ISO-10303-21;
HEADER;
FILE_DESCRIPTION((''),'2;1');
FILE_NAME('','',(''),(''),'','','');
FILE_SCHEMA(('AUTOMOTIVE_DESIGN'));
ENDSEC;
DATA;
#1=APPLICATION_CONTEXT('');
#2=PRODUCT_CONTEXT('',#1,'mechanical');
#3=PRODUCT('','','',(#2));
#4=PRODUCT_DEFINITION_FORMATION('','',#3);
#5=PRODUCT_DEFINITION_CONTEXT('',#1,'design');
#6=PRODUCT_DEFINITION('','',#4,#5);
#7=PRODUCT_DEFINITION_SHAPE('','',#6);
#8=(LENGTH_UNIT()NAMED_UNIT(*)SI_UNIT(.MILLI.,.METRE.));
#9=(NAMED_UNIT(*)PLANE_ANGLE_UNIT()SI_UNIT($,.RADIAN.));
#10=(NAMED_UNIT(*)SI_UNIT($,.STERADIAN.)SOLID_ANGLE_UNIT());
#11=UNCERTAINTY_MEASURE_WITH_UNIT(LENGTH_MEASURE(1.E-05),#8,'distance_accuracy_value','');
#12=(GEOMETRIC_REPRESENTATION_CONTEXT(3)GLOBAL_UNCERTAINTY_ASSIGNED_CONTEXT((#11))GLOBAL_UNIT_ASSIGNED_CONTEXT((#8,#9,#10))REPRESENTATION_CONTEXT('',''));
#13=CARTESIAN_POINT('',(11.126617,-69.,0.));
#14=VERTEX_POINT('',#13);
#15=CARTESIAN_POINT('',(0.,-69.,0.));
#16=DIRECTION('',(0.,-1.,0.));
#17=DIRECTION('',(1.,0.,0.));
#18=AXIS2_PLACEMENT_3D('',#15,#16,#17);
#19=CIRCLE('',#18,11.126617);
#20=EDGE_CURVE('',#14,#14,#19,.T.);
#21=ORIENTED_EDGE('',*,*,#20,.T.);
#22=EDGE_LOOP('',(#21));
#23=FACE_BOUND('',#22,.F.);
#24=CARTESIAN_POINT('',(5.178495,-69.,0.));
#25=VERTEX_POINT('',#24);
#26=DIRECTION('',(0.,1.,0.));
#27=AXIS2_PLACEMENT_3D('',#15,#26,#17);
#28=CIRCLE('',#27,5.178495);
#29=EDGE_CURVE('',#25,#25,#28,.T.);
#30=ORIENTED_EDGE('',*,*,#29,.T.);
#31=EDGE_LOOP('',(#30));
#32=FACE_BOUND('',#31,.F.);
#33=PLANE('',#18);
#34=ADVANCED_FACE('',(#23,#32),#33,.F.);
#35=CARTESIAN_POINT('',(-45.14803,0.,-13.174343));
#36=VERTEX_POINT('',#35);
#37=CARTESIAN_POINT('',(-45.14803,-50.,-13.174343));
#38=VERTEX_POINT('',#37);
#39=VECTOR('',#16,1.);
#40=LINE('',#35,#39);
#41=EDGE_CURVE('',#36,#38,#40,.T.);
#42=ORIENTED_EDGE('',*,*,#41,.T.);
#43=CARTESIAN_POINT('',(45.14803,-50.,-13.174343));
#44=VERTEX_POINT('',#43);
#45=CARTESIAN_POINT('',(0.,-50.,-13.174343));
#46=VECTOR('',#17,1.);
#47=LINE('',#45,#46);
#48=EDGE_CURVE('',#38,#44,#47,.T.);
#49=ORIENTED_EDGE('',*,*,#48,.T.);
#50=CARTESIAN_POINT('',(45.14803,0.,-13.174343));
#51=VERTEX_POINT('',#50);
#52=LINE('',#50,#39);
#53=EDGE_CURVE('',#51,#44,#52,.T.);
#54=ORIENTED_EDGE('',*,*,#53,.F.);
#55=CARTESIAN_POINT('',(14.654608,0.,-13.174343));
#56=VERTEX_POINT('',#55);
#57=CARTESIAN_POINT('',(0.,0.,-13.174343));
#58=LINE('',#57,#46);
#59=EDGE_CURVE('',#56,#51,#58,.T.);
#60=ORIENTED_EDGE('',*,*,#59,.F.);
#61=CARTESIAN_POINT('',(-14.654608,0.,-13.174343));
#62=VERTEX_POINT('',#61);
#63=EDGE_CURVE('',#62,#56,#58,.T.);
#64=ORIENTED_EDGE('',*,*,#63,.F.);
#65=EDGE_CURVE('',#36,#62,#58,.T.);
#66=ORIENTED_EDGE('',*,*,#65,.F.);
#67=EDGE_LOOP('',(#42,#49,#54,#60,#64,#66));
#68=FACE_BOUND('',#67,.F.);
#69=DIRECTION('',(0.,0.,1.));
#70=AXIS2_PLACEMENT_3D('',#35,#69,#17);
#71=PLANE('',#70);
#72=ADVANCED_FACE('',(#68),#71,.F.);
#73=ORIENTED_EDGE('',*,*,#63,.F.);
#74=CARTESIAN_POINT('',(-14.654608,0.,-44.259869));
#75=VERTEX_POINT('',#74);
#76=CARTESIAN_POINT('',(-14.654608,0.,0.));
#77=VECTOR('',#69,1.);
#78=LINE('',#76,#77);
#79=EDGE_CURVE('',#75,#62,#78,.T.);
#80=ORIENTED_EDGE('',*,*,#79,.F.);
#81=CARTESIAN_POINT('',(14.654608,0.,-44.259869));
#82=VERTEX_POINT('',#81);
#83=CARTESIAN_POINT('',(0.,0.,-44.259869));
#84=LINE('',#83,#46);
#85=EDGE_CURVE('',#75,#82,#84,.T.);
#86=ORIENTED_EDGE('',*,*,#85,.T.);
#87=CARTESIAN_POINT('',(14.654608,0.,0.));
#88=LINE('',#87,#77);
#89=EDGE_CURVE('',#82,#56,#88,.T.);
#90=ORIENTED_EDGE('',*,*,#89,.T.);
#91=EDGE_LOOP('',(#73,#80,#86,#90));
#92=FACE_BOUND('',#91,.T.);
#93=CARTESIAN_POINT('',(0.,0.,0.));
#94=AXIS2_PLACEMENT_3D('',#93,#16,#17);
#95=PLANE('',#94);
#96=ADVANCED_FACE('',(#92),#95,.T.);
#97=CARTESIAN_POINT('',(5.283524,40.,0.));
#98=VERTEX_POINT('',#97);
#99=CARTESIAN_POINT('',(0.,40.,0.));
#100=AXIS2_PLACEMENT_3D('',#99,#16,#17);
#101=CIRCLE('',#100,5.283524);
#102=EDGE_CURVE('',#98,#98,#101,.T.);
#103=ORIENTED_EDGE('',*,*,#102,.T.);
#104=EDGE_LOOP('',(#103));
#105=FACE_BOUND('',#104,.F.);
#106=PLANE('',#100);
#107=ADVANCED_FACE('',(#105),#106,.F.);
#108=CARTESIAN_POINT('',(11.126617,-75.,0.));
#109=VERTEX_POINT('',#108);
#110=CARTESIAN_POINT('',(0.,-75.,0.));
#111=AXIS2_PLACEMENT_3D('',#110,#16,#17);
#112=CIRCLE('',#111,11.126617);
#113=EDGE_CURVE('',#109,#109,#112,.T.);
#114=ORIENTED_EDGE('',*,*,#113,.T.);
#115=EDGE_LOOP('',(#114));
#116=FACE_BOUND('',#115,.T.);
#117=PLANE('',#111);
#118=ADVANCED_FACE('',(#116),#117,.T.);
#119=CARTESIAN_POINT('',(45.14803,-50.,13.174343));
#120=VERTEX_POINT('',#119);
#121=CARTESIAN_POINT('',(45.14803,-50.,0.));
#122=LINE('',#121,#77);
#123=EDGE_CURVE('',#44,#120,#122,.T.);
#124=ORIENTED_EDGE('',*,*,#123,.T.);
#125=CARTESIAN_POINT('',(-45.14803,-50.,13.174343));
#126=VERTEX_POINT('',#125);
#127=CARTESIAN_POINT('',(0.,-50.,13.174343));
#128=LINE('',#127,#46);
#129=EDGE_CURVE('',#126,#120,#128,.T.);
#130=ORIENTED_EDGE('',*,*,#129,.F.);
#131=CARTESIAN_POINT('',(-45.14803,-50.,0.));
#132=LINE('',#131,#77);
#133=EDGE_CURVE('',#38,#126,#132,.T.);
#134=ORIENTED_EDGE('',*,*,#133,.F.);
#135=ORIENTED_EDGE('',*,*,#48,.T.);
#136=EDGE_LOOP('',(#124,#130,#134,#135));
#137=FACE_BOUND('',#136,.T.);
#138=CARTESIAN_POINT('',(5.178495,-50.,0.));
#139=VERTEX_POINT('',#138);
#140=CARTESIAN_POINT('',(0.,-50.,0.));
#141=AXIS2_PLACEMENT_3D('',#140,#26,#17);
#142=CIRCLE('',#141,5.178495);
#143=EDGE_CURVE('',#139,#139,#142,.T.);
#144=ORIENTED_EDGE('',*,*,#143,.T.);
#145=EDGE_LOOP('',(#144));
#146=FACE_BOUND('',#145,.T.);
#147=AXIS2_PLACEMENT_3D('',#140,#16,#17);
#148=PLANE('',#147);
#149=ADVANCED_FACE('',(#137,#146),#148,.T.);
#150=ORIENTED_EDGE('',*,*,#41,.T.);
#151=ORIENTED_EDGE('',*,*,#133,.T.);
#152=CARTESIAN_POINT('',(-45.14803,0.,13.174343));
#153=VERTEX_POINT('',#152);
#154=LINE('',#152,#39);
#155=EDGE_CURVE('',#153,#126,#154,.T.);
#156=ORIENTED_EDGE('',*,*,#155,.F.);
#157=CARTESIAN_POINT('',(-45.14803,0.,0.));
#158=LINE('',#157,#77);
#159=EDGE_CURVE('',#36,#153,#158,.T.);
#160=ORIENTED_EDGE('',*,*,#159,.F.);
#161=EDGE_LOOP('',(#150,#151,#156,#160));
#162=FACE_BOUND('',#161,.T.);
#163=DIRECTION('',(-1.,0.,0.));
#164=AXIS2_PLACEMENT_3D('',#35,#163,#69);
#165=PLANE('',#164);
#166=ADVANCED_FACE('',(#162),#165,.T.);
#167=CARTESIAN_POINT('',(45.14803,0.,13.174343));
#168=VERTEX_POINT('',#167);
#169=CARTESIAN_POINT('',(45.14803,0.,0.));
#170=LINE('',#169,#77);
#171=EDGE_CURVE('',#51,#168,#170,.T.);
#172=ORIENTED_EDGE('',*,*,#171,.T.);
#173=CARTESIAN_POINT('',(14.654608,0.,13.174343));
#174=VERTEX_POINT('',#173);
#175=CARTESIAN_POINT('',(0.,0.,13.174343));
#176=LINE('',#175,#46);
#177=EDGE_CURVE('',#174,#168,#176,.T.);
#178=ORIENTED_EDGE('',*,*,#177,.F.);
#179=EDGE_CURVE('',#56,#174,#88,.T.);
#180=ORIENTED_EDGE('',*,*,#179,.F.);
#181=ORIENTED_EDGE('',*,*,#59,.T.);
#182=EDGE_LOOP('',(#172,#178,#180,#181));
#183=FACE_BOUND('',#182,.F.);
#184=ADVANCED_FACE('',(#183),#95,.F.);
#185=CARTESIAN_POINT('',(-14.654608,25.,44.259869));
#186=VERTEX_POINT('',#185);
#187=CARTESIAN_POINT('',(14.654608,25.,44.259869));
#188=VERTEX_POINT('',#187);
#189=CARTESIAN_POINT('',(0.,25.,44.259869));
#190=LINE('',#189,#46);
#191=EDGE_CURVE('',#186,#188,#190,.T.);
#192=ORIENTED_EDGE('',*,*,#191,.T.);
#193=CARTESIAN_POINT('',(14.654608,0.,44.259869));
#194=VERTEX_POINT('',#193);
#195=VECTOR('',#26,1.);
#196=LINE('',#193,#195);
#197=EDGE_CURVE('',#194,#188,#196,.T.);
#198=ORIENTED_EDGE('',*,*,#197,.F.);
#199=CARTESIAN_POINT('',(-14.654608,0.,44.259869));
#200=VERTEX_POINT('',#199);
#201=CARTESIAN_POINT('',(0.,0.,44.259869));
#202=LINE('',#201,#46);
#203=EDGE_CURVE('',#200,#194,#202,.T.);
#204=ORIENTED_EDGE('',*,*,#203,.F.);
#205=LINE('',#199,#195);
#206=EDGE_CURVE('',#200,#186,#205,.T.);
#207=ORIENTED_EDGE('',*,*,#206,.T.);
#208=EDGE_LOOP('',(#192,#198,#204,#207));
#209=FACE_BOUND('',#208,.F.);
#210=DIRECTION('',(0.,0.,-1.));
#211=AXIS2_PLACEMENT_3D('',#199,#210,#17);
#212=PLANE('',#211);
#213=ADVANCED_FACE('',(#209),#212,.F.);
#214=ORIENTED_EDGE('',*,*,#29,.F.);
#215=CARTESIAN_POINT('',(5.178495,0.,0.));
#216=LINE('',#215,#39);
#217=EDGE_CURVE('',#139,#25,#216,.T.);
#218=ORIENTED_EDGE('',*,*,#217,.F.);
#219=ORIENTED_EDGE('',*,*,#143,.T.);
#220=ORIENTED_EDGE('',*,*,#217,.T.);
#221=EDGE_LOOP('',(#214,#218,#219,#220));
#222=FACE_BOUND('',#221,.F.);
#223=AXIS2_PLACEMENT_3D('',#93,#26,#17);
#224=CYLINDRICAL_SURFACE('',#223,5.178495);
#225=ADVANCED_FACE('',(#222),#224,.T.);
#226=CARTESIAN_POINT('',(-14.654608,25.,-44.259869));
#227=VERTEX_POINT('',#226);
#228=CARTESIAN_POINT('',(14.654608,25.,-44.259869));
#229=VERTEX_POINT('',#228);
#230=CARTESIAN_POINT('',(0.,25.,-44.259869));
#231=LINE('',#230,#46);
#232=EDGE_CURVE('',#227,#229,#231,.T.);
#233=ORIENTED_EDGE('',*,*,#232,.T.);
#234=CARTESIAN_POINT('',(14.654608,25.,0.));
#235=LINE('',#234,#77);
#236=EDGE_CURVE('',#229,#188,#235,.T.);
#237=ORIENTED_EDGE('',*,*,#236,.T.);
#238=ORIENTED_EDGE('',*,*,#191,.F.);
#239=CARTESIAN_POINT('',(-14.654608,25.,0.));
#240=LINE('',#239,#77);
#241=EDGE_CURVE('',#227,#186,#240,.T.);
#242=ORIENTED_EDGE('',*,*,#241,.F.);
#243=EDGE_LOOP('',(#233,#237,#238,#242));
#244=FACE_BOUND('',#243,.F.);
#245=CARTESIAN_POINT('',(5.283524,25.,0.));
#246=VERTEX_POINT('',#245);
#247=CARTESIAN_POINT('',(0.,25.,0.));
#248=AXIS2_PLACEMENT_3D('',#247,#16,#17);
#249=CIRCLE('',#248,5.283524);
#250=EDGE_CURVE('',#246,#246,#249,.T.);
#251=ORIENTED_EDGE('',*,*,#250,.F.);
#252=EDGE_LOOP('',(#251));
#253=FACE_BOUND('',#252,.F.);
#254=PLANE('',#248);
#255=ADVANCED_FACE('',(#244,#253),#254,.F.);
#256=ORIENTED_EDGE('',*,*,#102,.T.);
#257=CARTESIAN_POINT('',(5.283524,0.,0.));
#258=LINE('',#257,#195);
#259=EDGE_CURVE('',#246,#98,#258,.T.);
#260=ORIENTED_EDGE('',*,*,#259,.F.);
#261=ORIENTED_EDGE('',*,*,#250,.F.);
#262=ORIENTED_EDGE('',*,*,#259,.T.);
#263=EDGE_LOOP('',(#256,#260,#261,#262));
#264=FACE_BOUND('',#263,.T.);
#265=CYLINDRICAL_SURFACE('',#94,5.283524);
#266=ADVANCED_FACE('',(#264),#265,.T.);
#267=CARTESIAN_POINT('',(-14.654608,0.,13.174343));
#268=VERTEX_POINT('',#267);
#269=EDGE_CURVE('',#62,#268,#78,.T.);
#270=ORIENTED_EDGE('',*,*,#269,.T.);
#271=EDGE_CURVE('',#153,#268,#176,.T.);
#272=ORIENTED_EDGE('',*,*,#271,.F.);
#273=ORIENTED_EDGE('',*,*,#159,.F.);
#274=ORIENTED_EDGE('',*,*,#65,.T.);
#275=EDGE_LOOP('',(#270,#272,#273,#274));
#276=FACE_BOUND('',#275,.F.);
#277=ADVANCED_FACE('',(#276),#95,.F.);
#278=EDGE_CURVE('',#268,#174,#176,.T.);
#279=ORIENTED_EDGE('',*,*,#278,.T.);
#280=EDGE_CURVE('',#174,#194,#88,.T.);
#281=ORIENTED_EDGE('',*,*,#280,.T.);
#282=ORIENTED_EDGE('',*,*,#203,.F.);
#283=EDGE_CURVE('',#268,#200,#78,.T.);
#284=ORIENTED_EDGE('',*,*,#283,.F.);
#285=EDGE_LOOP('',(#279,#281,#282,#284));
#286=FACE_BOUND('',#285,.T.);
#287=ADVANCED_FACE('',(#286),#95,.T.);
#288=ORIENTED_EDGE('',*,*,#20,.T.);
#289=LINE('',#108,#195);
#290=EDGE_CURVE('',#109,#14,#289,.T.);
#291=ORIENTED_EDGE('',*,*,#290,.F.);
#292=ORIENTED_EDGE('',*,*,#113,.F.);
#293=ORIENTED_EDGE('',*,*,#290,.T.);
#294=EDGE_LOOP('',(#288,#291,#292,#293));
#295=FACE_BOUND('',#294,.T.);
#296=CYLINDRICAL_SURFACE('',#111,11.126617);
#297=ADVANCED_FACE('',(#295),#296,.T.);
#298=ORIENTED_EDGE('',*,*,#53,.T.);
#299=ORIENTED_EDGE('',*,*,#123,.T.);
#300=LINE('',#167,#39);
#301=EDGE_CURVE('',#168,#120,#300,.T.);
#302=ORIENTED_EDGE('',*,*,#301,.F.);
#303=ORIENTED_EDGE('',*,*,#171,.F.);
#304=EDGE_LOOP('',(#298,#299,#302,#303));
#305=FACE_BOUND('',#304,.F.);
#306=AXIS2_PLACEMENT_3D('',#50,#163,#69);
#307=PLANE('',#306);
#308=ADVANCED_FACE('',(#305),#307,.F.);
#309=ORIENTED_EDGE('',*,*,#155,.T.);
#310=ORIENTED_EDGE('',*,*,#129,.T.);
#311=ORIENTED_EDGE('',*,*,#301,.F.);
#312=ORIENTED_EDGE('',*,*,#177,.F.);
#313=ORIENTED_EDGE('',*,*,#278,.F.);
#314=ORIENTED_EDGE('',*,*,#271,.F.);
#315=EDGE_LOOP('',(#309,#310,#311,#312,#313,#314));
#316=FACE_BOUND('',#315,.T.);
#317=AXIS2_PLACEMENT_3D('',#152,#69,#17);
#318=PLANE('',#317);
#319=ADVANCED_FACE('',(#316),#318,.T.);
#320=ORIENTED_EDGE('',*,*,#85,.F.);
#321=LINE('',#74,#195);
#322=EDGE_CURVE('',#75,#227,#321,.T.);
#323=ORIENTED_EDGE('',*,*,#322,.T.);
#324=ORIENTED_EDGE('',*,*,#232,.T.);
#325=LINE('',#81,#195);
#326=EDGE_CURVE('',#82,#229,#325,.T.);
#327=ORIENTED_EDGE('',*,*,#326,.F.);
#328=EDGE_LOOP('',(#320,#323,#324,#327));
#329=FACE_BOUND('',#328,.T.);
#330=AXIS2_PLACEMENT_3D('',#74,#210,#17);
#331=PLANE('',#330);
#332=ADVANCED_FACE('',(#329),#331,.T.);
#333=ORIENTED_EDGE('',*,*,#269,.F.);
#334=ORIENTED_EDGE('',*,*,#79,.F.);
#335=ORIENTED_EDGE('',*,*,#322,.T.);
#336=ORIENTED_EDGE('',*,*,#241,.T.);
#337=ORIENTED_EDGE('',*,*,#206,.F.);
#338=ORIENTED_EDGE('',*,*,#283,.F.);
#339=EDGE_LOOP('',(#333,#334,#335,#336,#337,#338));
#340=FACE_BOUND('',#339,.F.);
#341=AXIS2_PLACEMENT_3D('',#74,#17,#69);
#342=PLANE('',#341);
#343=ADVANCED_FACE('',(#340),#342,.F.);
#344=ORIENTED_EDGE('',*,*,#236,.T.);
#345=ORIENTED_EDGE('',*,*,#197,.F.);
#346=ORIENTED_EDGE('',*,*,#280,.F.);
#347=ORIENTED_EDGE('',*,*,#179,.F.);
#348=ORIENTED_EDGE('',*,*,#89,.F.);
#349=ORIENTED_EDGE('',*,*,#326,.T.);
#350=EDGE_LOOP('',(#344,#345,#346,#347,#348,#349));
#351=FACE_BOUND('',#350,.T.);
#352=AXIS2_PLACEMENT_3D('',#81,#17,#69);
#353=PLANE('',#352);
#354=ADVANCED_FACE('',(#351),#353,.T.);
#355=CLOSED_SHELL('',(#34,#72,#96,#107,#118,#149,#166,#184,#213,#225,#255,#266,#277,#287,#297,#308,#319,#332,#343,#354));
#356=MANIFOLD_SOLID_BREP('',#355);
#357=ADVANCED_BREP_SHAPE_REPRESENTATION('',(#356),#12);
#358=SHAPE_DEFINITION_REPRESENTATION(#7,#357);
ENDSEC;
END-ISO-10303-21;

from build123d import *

# Parameters (mm, degrees)
F0_W      = 90.29606
F0_H      = 26.348686
F1_DEPTH  = 50
F2_W      = 29.309216
F2_H      = 88.519738
F3_DEPTH  = 25
F4_R      = 8.4699
F5_DEPTH  = 25
F6_R      = 5.178495
F7_DEPTH  = 70
F8_R      = 5.283524
F9_DEPTH  = 40
F12_R     = 11.126617
F13_DEPTH = 6


with BuildPart() as f1:
    # F0 (on Front) → F1 (new body)
    with BuildSketch(Plane.XZ):
        Rectangle(F0_W, F0_H)
    extrude(amount=F1_DEPTH)

    # F2 (on Front) → F3 (join)
    with BuildSketch(Plane.XZ):
        Rectangle(F2_W, F2_H)
    extrude(amount=-F3_DEPTH)



with BuildPart() as f5:
    # F4 (on Front) → F5 (new body)
    with BuildSketch(Plane.XZ):
        Circle(F4_R)
    extrude(amount=F5_DEPTH)


with BuildPart() as f1_1:
    add(f1.part)

    add(f5.part)  # F7 merges F5
    # F6 (on Front) → F7 (join)
    with BuildSketch(Plane.XZ):
        Circle(F6_R)
    extrude(amount=F7_DEPTH)

    # F8 (on Front) → F9 (join)
    with BuildSketch(Plane.XZ):
        Circle(F8_R)
    extrude(amount=-F9_DEPTH)

    # F12 (on offset) → F13 (join)
    with BuildSketch(Plane.XZ.offset(75)):
        Circle(F12_R)
    extrude(amount=-F13_DEPTH)


solid = f1_1.part
